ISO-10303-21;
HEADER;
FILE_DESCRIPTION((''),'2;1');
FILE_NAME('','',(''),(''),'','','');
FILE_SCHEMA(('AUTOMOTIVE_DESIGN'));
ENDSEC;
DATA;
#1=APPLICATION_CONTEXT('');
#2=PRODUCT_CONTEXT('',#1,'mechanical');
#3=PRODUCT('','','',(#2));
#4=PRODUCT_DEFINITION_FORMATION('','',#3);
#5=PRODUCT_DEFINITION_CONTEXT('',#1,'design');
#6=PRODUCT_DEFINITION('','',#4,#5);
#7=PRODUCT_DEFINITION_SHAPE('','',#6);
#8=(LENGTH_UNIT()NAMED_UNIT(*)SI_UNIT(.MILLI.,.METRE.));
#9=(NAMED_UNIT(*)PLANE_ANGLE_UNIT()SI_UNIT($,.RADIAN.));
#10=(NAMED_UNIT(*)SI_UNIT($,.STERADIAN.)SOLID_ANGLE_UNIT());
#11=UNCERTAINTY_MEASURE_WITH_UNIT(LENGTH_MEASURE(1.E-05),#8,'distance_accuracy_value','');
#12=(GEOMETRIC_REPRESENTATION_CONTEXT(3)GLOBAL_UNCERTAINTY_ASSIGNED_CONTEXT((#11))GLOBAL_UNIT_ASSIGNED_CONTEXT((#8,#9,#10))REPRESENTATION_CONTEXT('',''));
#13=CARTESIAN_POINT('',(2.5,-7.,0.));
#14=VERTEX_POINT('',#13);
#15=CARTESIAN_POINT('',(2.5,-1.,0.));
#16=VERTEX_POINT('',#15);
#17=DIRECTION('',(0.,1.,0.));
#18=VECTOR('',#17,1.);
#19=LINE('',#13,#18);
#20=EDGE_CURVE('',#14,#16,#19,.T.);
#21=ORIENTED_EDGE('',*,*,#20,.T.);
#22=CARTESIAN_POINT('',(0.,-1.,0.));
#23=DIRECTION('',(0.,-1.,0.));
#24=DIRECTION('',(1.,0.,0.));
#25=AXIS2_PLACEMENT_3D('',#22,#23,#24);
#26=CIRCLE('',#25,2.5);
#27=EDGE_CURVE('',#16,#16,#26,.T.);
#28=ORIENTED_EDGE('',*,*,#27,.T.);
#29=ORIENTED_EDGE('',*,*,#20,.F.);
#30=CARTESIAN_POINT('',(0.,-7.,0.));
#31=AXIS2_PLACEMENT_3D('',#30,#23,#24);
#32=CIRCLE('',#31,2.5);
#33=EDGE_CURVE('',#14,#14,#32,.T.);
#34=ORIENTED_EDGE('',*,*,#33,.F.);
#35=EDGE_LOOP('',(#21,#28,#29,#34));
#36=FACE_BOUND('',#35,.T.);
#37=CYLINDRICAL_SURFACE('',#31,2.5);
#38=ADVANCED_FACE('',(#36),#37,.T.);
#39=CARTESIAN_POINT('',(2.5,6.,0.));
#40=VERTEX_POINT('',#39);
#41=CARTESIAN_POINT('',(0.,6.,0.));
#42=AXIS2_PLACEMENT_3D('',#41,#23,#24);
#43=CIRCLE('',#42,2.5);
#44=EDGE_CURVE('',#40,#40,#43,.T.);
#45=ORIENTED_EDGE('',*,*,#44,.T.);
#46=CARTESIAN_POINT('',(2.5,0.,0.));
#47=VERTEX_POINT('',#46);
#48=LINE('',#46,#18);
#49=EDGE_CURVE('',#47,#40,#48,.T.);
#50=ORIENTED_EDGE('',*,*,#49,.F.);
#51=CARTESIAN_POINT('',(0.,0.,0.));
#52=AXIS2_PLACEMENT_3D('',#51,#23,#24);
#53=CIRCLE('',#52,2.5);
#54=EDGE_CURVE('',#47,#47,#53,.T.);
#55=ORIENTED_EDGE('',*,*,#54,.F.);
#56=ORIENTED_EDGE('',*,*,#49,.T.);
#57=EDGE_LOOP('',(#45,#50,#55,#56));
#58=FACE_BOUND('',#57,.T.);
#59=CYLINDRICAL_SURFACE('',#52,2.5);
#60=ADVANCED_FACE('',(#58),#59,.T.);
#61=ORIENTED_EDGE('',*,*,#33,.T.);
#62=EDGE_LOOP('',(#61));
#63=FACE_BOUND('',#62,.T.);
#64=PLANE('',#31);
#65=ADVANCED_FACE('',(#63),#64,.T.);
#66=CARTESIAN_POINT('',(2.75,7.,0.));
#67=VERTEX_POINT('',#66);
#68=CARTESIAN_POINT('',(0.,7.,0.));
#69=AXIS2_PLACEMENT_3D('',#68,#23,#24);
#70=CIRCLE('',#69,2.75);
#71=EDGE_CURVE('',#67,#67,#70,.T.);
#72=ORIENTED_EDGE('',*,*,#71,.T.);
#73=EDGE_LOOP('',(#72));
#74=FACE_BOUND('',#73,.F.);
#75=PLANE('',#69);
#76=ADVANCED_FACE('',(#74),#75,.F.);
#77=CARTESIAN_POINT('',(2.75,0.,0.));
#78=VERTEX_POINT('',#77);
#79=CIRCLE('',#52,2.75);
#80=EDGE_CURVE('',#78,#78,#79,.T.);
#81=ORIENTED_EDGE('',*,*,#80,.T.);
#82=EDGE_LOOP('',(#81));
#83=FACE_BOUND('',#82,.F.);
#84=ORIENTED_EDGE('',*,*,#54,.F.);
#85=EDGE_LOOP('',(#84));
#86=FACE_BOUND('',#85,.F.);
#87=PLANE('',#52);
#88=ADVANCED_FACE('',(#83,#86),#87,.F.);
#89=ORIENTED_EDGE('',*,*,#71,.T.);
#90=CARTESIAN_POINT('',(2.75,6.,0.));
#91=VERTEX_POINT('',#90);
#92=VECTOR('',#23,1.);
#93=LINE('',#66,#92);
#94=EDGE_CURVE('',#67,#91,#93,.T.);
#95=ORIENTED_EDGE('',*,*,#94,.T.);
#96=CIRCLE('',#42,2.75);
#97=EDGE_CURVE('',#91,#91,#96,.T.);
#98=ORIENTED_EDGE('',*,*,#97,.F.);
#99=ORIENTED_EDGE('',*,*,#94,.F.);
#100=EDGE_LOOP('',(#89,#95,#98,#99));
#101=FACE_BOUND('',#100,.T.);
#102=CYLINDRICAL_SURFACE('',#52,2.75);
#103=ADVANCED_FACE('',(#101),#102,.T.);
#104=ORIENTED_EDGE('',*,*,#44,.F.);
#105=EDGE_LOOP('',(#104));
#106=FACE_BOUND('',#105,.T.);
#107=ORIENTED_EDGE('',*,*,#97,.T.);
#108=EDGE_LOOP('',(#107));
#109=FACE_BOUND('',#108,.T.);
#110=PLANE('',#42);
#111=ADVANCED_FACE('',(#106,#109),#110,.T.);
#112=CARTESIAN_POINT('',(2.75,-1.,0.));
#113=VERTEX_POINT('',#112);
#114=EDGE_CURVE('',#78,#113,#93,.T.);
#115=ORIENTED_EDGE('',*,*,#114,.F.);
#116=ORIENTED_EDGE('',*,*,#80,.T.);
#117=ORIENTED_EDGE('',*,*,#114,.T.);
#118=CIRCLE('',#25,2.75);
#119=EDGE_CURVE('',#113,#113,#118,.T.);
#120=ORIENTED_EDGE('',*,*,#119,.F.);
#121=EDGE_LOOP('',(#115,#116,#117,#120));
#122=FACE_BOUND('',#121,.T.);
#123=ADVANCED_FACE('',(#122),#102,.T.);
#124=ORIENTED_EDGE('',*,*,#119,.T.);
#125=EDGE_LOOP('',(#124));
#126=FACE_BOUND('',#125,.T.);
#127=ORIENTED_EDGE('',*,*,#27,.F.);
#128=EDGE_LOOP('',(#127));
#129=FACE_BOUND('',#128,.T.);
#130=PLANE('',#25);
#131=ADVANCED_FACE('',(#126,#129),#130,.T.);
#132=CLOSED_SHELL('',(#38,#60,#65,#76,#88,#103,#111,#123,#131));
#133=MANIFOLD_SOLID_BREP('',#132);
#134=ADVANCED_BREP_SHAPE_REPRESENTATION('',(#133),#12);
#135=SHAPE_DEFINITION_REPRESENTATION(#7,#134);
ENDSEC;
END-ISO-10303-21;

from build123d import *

# Parameters (mm, degrees)
F0_R     = 2.75
F1_DEPTH = 7
F2_R     = 2.75
F2_R_2   = 2.5
F3_DEPTH = 6
F4_R     = 2.75
F4_R_2   = 2.5
F5_DEPTH = 6


with BuildPart() as f1:
    # F0 (on Front) → F1 (new body, symmetric)
    with BuildSketch(Plane.XZ):
        Circle(F0_R)
    extrude(amount=F1_DEPTH, both=True)

    # F2 (on face) → F3 (cut)
    with BuildSketch(Plane.XZ.offset(7)):
        Circle(F2_R)
        Circle(F2_R_2, mode=Mode.SUBTRACT)
    extrude(amount=-F3_DEPTH, mode=Mode.SUBTRACT)

    # F4 (on Front) → F5 (cut)
    with BuildSketch(Plane.XZ):
        Circle(F4_R)
        Circle(F4_R_2, mode=Mode.SUBTRACT)
    extrude(amount=-F5_DEPTH, mode=Mode.SUBTRACT)


solid = f1.part
